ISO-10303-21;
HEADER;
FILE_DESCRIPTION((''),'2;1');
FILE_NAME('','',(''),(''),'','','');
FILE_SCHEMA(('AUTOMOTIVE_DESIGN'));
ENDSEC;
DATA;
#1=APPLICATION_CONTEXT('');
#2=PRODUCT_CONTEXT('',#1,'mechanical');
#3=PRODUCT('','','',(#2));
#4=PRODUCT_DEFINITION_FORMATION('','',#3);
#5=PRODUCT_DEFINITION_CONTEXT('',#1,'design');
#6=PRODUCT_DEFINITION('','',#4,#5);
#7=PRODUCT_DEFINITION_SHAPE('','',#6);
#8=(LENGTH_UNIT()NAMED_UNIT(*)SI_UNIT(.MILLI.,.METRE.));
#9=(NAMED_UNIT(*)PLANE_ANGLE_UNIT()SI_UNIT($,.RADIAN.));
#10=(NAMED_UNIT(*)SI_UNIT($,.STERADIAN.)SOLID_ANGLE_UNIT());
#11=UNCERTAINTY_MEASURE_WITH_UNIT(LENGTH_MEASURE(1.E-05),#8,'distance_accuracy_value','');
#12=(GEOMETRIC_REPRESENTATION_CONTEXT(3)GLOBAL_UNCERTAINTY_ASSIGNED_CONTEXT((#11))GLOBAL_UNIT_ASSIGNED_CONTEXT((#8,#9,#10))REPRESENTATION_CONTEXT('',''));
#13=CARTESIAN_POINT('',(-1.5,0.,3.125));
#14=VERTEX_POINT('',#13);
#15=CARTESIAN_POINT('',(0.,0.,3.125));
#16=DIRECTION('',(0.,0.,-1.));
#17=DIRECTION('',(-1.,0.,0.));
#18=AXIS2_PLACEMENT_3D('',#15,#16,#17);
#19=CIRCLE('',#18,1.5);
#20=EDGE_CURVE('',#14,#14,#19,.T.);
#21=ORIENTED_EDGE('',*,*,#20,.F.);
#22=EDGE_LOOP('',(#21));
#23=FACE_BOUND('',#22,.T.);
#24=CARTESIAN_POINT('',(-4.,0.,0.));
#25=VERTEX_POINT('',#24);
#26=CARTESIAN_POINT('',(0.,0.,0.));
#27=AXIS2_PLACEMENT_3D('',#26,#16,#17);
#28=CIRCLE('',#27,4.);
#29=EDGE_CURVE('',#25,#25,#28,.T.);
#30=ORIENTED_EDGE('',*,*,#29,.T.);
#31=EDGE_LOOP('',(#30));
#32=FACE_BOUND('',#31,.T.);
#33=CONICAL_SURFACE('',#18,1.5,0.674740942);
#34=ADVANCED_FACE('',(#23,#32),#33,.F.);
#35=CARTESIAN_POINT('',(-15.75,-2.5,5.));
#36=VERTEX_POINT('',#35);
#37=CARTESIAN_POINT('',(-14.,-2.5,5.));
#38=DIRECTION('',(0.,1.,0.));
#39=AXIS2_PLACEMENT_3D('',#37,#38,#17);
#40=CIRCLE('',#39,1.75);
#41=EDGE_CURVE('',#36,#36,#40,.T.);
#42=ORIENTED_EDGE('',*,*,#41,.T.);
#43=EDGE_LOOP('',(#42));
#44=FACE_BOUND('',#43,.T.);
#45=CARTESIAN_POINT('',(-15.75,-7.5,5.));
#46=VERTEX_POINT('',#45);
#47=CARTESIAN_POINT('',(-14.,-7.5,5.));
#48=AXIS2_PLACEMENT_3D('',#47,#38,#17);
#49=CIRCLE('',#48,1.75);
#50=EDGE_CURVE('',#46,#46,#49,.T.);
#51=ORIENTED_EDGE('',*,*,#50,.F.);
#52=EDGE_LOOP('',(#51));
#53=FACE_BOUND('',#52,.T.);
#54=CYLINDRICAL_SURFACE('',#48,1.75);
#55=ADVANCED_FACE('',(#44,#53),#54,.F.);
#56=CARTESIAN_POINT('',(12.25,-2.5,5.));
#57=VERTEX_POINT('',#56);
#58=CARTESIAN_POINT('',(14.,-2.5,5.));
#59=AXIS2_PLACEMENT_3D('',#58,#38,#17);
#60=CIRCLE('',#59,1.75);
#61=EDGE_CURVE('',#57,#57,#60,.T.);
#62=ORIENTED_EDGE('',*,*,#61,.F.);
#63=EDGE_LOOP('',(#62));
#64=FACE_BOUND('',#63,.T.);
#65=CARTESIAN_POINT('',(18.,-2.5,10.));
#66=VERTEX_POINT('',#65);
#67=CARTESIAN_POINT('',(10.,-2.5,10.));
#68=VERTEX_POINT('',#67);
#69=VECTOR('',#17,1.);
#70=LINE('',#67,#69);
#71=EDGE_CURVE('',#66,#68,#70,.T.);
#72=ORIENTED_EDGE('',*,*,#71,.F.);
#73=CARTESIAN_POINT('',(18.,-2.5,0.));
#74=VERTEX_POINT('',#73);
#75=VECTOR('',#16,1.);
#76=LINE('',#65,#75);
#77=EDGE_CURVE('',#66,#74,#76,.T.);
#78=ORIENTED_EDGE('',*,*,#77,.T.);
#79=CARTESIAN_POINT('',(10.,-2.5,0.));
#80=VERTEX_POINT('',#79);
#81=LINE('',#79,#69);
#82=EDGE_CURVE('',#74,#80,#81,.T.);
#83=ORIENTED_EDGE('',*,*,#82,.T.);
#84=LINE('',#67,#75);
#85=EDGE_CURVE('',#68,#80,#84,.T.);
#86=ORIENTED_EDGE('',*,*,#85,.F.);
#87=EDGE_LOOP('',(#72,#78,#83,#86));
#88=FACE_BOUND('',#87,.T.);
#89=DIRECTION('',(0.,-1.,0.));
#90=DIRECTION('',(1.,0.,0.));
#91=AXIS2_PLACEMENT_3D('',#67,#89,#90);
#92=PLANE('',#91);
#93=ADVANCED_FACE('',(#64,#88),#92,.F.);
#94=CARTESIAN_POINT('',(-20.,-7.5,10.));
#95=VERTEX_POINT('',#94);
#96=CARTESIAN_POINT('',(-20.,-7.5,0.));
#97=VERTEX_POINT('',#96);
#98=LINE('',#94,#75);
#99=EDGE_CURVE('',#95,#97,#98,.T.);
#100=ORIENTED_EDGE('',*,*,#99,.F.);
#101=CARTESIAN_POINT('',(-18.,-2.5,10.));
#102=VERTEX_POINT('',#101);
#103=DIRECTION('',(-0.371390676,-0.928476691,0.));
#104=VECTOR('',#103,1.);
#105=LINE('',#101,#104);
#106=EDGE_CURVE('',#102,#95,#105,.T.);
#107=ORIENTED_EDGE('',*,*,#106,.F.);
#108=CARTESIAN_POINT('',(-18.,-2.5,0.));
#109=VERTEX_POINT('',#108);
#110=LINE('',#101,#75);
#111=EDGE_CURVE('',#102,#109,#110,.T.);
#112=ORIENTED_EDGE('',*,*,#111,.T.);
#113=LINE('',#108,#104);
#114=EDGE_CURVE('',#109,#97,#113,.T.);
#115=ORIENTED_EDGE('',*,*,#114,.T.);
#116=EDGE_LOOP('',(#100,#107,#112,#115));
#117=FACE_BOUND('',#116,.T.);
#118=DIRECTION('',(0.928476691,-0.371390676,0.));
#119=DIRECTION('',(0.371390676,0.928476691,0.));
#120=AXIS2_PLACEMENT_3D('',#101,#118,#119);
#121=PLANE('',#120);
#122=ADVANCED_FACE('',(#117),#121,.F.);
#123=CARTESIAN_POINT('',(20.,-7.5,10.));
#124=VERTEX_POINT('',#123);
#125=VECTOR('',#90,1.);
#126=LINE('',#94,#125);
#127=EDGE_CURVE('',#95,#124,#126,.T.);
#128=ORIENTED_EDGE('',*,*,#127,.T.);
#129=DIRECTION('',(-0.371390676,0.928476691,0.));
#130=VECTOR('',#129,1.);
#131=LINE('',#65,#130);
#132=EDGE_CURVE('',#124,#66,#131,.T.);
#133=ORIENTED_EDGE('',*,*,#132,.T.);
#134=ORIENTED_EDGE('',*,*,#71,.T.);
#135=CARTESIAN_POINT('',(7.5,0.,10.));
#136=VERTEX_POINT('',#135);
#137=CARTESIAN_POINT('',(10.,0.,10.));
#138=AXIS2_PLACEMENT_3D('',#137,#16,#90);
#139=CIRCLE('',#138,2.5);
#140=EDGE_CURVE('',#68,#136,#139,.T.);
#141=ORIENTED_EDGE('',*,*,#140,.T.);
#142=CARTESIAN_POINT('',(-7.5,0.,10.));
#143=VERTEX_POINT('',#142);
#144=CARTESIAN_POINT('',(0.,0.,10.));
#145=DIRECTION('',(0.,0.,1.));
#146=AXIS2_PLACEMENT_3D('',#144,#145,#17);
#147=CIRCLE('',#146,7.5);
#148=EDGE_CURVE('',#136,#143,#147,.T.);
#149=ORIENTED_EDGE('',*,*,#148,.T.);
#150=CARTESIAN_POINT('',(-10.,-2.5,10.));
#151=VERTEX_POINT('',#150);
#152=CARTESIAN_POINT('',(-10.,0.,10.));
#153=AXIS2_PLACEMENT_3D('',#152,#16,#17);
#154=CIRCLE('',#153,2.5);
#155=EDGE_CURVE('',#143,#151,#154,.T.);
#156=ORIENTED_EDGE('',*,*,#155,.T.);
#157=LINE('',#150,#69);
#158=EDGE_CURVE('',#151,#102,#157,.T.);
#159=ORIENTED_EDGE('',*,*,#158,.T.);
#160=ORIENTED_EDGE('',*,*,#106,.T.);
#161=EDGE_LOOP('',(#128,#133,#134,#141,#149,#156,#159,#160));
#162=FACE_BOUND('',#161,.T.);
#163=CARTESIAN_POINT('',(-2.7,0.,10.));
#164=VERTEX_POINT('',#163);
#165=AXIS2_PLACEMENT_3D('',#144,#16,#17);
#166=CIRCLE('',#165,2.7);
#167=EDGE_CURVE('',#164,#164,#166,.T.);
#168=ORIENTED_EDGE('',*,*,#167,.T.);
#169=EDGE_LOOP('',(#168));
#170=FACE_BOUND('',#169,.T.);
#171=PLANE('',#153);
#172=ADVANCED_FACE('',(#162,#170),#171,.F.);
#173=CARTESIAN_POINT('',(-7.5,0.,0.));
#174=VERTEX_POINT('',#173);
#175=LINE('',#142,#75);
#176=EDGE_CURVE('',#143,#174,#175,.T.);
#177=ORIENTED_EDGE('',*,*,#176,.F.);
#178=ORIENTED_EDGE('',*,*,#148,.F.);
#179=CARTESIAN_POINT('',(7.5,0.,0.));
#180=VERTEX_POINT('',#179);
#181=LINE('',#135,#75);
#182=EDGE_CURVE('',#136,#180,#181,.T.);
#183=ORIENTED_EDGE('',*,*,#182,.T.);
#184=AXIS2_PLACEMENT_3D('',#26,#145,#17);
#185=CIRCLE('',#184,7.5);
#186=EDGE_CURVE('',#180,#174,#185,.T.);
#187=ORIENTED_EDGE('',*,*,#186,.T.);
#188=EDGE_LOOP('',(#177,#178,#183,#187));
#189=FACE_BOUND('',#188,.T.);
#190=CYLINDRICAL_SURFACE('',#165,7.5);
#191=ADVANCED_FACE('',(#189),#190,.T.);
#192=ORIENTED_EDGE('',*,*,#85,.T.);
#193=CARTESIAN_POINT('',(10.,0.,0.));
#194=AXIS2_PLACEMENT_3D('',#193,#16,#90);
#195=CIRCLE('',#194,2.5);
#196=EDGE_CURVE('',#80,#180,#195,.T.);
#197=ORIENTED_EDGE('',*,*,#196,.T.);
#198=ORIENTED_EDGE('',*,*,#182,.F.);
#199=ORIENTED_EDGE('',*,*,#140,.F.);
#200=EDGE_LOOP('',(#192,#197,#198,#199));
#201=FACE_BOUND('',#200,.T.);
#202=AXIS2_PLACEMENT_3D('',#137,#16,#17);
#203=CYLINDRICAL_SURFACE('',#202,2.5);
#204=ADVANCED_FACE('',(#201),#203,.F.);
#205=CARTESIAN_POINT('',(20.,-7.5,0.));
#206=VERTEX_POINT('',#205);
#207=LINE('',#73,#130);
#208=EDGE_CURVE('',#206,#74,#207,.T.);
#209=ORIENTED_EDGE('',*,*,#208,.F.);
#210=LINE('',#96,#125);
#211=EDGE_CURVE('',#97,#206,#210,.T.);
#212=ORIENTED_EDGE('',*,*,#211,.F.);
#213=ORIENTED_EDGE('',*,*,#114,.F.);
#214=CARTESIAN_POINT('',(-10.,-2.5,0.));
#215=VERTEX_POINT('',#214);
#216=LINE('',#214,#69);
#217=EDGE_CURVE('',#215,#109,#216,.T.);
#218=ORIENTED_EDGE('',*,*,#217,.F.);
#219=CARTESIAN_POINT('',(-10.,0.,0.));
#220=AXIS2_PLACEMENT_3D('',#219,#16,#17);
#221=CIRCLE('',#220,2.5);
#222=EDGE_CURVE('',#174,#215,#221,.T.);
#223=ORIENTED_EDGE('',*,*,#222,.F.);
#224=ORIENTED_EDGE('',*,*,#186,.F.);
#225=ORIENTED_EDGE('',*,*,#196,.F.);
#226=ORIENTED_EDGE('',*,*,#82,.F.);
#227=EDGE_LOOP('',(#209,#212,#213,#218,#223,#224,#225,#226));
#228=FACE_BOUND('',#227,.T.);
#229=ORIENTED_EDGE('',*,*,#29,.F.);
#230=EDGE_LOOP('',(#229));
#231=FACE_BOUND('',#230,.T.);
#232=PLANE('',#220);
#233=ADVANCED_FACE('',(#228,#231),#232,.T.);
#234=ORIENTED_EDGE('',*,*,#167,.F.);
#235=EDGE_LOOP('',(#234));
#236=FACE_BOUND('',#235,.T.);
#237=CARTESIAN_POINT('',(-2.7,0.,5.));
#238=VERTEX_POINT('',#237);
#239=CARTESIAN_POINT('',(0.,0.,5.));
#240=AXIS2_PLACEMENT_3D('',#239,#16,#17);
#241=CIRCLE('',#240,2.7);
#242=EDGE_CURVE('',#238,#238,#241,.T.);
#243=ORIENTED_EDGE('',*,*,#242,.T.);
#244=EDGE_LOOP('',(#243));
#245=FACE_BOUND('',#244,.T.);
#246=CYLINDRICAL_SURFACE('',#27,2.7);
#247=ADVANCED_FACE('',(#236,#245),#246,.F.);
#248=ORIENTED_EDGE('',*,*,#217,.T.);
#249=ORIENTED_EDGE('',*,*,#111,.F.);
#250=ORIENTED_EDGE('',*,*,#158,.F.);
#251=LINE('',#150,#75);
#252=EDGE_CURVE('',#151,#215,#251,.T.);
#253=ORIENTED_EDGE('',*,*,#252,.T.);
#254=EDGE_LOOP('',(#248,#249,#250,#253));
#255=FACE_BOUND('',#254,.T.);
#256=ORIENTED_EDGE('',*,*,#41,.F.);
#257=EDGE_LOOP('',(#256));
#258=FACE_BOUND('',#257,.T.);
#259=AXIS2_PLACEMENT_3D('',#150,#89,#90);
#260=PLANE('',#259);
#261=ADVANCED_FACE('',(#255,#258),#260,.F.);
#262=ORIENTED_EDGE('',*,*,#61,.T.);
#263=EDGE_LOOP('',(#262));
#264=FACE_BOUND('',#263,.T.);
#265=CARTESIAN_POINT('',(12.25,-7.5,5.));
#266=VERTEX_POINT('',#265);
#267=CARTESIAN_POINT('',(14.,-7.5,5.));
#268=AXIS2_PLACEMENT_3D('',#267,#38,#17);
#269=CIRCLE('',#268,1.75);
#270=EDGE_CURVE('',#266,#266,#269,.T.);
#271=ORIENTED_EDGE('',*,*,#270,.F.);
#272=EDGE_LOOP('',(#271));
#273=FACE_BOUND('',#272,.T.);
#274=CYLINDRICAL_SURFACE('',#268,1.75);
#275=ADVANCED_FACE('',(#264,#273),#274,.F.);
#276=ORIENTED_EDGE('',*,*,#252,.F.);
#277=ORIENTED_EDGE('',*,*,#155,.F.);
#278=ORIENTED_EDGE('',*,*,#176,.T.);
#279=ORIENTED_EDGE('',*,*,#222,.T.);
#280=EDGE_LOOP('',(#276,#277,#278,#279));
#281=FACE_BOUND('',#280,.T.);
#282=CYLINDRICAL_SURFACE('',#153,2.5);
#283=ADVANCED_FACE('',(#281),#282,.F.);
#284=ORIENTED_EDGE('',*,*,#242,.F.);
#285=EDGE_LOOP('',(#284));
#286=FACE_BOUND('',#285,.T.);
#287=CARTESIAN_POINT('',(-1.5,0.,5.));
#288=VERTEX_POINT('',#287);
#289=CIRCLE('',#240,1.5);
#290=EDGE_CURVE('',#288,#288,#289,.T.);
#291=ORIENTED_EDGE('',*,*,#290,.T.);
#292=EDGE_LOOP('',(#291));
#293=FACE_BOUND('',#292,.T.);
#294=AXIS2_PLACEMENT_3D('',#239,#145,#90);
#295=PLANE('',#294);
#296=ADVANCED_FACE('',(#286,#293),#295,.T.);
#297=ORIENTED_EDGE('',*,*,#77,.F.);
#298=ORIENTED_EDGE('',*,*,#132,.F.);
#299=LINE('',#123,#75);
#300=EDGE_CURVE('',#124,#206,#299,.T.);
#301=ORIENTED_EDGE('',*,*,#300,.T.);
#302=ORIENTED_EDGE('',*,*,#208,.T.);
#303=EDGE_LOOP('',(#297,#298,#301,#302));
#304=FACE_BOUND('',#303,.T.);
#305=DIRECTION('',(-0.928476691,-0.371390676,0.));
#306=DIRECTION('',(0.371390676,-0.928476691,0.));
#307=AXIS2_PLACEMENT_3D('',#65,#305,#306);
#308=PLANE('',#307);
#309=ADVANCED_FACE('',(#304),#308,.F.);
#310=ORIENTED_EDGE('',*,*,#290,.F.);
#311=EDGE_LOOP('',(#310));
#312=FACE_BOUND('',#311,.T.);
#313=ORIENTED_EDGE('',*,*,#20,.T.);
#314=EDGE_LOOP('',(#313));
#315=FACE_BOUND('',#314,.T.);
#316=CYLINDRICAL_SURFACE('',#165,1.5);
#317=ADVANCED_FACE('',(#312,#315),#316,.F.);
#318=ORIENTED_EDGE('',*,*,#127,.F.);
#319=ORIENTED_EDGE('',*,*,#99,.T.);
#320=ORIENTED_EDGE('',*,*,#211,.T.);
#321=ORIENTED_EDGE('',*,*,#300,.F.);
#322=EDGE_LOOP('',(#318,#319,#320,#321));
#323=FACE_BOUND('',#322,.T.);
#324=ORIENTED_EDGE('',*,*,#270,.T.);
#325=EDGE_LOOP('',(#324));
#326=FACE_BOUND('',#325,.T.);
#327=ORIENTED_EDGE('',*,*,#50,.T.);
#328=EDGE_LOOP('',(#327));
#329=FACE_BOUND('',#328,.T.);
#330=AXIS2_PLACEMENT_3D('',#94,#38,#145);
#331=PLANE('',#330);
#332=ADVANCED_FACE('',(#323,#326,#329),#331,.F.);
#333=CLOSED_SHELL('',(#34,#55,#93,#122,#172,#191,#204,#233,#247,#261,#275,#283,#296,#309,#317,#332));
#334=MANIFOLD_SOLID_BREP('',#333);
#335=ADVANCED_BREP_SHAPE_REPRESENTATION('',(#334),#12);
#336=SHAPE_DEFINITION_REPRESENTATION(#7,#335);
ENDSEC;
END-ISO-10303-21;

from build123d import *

# Parameters (mm, degrees)
SKETCH1_R           = 1.5
BOSS_EXTRUDE1_DEPTH = 10
SKETCH3_R           = 1.75
CUT_EXTRUDE1_DEPTH  = 6


with BuildPart() as part:
    # Sketch1 → Boss-Extrude1 (new body)
    with BuildSketch(Plane.XY):
        with BuildLine():
            Line((-10, -2.5), (-18, -2.5))
            Line((-18, -2.5), (-20, -7.5))
            Line((-20, -7.5), (20, -7.5))
            Line((20, -7.5), (18, -2.5))
            Line((18, -2.5), (10, -2.5))
            ThreePointArc((10, -2.5), (8.232233047, -1.767766953), (7.5, 0))
            ThreePointArc((7.5, 0), (0, 7.5), (-7.5, 0))
            ThreePointArc((-7.5, 0), (-8.232233047, -1.767766953), (-10, -2.5))
        make_face()
        Circle(SKETCH1_R, mode=Mode.SUBTRACT)
    extrude(amount=BOSS_EXTRUDE1_DEPTH)

    # Sketch2 → Cut-Revolve1 (revolve, cut)
    with BuildSketch(Plane(origin=(0, 0, 0), x_dir=(1, 0, 0), z_dir=(0, 1, 0))):
        Polygon((0, 0), (0, -5), (4, 0), align=None)
        Polygon((2.7, -5), (1.5, -5), (1.5, -3.125), (0, -5), (0, -10), (2.7, -10), align=None)
    revolve(axis=Axis((0, 0, 0), (0, 0, 1)), mode=Mode.SUBTRACT)

    # Sketch3 → Cut-Extrude1 (cut, through all)
    with BuildSketch(Plane(origin=(0, -2.5, 0), x_dir=(1, 0, 0), z_dir=(0, 1, 0))):
        with Locations((-14, -5)):
            Circle(SKETCH3_R)
        with Locations((14, -5)):
            Circle(SKETCH3_R)
    extrude(amount=-CUT_EXTRUDE1_DEPTH, mode=Mode.SUBTRACT)


solid = part.part
